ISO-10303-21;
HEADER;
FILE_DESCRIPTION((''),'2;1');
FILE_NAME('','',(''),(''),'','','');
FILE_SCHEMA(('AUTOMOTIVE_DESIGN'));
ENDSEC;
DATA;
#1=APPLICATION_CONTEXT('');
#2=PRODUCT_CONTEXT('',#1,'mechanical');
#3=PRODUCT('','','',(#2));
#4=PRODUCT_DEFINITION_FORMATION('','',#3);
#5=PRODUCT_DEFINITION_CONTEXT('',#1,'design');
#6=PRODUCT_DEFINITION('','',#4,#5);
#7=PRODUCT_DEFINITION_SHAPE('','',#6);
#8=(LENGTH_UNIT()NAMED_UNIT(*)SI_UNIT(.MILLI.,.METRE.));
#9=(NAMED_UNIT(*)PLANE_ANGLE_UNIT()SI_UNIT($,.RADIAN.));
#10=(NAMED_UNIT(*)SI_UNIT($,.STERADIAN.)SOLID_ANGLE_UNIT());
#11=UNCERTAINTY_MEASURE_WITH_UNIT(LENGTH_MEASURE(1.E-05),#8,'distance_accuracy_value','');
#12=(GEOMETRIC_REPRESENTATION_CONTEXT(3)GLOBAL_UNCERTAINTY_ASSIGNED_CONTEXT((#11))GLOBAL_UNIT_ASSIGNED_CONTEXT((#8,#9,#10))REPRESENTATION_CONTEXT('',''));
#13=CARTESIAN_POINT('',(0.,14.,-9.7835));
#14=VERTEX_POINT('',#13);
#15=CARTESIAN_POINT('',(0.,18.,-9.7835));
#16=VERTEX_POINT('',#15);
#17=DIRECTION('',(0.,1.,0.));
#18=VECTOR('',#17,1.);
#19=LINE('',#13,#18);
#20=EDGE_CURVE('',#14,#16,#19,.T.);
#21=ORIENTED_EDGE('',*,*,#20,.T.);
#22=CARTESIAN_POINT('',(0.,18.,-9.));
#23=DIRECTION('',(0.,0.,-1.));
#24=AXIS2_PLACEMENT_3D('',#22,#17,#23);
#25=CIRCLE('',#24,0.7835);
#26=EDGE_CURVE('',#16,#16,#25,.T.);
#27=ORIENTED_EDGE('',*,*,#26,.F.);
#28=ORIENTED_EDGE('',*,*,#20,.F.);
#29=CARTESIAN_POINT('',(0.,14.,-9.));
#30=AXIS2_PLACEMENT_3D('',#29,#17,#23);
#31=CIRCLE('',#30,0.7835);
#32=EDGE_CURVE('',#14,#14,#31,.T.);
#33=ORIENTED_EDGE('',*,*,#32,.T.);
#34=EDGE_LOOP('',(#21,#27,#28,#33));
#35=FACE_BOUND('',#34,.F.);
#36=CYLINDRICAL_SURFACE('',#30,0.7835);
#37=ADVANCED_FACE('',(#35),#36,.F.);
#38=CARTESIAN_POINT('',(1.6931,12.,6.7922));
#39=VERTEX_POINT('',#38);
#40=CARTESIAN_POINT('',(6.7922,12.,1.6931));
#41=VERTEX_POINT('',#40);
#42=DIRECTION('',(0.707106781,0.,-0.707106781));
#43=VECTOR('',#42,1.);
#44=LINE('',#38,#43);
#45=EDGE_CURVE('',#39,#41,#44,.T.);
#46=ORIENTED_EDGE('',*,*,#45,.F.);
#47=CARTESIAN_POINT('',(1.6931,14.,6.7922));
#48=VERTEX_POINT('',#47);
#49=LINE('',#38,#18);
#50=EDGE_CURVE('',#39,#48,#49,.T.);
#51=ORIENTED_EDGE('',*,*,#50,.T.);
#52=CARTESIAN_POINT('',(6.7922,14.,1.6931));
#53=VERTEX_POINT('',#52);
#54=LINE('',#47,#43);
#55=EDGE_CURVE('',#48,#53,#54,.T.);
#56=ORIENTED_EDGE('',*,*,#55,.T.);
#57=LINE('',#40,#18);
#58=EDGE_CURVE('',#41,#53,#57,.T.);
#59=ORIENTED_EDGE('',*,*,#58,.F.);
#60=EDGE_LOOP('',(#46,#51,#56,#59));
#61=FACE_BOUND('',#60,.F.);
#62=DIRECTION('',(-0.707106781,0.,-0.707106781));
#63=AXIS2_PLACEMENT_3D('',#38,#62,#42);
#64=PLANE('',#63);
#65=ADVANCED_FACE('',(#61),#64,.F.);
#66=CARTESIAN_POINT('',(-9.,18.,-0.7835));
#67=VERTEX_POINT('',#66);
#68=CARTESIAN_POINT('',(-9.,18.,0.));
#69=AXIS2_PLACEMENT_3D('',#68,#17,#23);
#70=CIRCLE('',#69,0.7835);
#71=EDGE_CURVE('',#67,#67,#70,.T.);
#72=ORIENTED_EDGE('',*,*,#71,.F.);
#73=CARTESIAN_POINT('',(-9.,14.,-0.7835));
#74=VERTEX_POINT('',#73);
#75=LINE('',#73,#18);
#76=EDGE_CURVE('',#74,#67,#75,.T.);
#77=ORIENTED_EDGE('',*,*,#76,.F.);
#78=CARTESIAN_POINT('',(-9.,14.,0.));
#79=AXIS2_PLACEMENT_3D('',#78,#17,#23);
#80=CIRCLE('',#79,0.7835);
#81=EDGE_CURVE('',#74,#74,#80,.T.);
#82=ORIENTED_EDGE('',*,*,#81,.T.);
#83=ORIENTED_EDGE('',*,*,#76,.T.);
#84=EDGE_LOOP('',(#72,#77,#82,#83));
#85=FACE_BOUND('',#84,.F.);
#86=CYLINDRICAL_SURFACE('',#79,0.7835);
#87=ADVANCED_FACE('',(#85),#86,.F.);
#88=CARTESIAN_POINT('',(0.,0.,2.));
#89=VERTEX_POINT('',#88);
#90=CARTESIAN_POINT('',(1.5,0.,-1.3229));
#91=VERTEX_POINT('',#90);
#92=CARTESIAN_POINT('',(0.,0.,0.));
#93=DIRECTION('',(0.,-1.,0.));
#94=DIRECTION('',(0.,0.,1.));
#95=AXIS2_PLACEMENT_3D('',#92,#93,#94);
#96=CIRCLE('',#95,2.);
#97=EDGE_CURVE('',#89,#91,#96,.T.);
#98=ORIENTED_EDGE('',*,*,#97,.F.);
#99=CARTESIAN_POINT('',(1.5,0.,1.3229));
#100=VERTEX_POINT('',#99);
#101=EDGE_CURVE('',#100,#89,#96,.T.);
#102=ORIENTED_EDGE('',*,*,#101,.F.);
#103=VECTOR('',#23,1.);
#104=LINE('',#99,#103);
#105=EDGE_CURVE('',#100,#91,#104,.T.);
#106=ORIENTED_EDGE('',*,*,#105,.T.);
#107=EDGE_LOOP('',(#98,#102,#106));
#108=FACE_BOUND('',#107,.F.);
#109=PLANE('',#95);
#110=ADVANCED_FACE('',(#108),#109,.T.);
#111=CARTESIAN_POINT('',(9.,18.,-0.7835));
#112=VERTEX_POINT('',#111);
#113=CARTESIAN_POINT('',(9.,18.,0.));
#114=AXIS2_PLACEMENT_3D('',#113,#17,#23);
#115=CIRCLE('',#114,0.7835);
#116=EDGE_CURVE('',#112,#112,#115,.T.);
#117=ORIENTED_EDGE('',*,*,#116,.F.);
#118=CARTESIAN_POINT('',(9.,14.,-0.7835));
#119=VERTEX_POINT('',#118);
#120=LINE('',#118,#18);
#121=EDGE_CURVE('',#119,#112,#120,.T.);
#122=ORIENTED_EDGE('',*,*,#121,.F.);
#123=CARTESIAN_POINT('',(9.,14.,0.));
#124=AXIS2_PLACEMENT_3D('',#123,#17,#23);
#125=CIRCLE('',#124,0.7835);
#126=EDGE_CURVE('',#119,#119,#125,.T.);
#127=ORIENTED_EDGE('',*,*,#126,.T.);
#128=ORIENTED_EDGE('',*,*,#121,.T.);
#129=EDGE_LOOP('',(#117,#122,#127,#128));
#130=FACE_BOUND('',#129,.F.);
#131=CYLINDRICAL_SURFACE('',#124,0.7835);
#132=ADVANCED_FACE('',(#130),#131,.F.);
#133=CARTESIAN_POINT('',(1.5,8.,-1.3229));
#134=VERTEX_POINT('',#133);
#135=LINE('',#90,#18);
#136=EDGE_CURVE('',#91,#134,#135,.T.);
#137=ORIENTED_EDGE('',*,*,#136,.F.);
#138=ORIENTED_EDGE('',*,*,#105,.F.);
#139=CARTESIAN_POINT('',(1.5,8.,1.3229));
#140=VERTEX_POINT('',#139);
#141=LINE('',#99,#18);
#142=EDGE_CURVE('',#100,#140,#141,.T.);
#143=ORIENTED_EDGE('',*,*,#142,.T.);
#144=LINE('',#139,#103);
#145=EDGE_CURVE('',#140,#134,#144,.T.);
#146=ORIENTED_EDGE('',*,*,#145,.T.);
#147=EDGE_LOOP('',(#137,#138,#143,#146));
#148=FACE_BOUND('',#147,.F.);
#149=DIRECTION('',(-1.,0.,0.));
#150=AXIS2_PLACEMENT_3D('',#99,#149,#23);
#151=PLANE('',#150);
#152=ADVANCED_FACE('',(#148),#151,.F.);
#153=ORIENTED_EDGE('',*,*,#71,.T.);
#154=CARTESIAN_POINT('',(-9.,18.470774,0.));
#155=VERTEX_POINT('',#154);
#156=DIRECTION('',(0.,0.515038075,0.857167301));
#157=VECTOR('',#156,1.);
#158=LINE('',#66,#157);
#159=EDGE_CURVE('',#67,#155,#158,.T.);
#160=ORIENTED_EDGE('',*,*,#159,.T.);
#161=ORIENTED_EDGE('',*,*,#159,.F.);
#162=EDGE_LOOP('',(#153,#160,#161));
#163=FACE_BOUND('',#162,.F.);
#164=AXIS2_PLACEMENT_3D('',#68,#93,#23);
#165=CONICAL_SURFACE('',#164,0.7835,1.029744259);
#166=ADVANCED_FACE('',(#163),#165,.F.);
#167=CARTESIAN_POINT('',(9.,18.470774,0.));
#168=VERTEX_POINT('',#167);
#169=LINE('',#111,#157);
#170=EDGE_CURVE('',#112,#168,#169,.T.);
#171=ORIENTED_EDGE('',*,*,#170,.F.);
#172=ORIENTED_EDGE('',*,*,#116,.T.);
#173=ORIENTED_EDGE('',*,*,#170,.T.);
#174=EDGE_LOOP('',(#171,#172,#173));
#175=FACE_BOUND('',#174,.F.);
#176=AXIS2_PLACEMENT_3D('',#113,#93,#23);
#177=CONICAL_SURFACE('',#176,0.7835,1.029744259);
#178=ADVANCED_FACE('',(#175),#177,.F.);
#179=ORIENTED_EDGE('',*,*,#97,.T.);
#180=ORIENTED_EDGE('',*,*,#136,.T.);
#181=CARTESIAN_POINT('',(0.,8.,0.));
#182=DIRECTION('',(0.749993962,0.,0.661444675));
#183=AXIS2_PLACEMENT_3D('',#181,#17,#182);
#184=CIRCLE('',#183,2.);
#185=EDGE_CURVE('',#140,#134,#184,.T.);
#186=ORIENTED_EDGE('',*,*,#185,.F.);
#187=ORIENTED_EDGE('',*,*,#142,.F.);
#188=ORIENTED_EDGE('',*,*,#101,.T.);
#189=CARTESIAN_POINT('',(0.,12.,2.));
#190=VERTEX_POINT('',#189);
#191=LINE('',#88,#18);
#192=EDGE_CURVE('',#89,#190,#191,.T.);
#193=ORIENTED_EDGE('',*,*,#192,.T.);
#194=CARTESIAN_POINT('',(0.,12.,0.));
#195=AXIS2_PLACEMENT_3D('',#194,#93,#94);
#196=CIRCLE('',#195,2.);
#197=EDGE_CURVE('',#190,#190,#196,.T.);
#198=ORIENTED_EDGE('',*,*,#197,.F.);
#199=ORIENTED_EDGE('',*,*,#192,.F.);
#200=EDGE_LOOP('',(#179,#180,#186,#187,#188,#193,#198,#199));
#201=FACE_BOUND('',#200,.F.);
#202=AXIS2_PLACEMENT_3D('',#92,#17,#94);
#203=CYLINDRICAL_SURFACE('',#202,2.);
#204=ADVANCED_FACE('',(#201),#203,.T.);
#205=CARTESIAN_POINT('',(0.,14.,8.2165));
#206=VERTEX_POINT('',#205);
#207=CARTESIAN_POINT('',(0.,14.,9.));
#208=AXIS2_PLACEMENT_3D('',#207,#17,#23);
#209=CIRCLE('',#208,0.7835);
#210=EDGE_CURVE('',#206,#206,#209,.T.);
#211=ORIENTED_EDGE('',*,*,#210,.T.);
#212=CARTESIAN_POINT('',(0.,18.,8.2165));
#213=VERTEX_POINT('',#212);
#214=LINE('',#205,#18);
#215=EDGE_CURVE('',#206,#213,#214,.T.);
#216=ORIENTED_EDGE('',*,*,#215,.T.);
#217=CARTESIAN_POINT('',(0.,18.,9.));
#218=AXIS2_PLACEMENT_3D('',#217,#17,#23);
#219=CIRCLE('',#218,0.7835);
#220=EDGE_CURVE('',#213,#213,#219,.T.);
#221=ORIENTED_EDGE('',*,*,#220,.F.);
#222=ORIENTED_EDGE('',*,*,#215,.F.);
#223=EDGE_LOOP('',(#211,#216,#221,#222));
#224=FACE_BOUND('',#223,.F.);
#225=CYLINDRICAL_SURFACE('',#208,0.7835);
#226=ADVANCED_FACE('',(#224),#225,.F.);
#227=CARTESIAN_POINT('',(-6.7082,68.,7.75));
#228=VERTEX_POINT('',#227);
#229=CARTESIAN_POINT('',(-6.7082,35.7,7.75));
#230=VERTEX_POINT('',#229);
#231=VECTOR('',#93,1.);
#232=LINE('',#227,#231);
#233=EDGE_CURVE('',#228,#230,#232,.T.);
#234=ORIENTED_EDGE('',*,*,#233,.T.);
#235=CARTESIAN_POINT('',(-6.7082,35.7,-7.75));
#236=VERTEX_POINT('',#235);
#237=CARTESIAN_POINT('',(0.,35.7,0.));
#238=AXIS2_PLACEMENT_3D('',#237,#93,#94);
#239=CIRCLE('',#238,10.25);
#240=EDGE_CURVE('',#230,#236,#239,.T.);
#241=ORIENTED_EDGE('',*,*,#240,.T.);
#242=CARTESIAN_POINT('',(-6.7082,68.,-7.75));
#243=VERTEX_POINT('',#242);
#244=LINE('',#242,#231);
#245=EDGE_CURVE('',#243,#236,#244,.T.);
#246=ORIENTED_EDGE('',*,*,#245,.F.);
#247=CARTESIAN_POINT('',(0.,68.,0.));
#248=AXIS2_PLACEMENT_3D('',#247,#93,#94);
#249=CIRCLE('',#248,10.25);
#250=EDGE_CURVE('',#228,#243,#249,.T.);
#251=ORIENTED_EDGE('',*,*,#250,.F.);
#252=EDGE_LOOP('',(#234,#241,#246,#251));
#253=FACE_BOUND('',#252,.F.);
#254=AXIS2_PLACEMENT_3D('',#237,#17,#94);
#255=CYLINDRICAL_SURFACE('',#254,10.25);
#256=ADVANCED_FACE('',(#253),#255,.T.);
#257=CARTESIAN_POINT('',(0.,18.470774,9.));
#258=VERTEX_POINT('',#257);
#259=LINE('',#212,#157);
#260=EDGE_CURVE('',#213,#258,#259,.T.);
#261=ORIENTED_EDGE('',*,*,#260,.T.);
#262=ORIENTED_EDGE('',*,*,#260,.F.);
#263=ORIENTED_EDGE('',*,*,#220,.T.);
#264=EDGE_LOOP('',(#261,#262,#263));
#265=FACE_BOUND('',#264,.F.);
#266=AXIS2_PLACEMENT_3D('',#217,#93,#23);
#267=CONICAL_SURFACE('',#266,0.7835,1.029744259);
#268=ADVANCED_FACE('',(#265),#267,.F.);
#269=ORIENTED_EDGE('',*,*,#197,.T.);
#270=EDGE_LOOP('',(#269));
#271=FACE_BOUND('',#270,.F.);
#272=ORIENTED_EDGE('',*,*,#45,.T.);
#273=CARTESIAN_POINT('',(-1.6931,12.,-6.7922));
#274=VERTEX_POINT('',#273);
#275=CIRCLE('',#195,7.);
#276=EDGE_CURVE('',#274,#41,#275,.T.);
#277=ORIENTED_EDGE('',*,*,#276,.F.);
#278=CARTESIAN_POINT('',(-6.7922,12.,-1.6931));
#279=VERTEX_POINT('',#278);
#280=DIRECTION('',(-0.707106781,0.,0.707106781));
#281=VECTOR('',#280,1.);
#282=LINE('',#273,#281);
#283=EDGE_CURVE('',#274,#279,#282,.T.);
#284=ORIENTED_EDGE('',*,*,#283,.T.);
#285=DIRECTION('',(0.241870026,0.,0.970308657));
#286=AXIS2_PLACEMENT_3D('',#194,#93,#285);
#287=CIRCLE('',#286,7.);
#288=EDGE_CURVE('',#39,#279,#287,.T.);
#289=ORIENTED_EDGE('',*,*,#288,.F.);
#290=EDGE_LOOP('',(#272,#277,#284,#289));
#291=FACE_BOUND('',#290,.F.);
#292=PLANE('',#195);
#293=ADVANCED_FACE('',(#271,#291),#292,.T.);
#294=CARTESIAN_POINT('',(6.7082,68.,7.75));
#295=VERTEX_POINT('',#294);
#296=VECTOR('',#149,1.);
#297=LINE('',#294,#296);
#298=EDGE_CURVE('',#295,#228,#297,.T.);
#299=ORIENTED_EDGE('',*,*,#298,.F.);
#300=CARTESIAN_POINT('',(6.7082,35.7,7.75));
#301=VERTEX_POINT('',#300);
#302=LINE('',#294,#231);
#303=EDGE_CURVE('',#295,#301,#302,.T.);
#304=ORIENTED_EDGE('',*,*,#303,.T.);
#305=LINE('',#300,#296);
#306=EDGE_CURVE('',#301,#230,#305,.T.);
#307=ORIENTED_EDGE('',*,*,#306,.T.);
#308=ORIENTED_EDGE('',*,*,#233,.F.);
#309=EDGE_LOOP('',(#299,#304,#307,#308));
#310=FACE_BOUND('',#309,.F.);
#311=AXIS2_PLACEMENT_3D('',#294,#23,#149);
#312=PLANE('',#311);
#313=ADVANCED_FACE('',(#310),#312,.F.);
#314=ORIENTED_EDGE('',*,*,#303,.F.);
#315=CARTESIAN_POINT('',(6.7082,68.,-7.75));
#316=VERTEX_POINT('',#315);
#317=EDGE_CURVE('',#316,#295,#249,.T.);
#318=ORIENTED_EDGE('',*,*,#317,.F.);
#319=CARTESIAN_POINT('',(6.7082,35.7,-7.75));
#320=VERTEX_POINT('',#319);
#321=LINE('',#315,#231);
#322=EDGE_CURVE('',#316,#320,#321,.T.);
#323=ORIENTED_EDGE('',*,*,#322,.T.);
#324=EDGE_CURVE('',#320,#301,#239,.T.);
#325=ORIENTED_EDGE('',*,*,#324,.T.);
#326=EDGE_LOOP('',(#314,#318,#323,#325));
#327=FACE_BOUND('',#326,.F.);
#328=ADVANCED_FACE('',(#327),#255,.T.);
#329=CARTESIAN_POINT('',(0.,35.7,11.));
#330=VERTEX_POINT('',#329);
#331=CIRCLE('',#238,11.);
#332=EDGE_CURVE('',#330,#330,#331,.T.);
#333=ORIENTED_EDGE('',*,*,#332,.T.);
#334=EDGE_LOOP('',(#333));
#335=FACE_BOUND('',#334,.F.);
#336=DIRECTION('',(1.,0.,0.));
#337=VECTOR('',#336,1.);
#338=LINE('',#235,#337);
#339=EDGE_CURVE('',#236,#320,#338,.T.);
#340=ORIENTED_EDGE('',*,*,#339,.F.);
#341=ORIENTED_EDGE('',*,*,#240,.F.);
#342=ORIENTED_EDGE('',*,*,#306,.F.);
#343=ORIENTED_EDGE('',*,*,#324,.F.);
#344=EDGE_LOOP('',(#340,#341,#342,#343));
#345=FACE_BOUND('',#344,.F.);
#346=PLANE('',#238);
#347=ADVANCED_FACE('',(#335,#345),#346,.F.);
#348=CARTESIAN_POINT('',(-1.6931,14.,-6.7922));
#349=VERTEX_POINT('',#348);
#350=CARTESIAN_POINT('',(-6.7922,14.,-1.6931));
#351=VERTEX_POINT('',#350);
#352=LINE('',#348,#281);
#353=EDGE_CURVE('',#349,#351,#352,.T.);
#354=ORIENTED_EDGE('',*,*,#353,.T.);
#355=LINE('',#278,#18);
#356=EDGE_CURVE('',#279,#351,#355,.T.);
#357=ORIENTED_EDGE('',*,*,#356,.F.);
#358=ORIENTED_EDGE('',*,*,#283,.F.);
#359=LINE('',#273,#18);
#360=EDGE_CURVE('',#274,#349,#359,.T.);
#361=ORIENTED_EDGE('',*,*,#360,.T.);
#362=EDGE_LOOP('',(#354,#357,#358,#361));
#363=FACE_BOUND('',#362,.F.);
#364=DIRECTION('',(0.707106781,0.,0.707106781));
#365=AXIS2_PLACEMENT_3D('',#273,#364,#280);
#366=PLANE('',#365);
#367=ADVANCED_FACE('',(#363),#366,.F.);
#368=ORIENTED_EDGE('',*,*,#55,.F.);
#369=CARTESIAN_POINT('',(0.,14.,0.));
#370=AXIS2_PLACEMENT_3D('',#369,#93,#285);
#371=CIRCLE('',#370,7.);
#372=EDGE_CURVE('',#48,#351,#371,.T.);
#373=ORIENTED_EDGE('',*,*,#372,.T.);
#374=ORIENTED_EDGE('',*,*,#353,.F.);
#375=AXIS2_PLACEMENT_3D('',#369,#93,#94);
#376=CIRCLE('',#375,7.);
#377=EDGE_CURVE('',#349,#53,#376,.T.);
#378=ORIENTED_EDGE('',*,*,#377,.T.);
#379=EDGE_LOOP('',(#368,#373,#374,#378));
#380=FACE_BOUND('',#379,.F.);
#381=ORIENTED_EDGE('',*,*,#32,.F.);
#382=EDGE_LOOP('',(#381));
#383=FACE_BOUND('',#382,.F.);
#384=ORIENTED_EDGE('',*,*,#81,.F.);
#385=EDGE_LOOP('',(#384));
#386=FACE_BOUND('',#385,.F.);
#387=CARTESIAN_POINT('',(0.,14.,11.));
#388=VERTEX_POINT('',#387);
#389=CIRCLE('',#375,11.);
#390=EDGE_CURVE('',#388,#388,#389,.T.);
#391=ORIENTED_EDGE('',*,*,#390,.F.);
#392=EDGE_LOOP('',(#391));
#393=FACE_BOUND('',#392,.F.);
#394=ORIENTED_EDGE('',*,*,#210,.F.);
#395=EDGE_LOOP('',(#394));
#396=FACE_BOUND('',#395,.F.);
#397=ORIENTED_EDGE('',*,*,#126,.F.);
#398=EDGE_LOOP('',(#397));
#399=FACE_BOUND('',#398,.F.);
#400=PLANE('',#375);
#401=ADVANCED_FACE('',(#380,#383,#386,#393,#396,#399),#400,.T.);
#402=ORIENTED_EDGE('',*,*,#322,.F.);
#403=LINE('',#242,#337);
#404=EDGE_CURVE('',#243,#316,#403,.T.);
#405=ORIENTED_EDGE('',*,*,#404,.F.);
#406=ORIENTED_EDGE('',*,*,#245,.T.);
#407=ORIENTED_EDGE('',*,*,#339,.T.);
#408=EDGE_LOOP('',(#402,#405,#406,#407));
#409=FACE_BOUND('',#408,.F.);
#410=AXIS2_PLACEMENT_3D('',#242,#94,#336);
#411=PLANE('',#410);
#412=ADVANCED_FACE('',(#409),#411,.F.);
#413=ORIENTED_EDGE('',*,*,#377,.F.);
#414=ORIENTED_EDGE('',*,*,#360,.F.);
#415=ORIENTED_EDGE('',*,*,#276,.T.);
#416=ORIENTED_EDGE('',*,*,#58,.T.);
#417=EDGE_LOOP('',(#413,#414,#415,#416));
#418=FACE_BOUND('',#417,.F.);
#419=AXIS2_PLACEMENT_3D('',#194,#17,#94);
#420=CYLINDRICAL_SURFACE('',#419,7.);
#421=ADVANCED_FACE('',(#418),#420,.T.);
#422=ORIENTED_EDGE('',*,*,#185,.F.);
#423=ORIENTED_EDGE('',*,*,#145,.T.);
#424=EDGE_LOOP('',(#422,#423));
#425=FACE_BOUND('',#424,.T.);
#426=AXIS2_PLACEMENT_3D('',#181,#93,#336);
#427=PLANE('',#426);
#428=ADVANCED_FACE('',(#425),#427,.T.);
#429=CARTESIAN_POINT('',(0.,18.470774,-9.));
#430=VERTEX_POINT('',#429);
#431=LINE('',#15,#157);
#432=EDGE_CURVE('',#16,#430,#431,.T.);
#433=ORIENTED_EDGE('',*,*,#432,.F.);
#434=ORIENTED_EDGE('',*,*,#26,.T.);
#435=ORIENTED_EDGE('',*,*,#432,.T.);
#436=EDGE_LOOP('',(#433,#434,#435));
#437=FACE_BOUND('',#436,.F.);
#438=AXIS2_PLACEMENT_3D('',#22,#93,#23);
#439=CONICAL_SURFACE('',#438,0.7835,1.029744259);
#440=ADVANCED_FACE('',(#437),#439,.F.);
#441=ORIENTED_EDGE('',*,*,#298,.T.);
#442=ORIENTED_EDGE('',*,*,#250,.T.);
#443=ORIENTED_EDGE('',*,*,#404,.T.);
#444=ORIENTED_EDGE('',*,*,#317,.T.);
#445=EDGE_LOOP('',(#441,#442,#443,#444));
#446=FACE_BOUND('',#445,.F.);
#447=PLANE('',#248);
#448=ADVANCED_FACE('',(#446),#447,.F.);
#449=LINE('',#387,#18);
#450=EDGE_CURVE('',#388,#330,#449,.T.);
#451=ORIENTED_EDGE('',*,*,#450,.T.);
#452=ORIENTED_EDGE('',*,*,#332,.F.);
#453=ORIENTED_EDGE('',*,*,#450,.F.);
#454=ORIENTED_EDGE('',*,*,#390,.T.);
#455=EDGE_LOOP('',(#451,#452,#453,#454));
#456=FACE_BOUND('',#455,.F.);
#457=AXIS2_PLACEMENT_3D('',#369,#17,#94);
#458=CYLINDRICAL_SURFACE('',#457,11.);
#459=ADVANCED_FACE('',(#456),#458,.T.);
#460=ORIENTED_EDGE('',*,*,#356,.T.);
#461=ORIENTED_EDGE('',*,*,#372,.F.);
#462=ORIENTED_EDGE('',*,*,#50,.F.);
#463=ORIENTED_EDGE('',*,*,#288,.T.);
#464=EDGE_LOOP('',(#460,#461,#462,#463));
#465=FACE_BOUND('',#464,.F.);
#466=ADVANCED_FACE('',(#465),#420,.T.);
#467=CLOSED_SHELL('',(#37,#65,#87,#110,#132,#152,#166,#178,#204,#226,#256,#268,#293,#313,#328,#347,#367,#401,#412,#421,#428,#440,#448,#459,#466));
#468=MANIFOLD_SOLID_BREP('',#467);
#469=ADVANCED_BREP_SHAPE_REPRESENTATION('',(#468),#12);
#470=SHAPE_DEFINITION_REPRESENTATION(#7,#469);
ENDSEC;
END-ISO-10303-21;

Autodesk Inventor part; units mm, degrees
ref_plane "YZ Plane" through (0, 0, 0) normal (1, 0, 0) x (0, 1, 0)
ref_plane "XZ Plane" through (0, 0, 0) normal (0, 1, 0) x (-1, 0, 0)
ref_plane "XY Plane" through (0, 0, 0) normal (0, 0, 1) x (1, 0, 0)
sketch "Sketch1" plane through (0, 0, 0) normal (1, 0, 0) x (0, 1, 0)
  line L0 (0, 0) -> (-9.28, 0)
  line L1 (0, 0) -> (0, 2)
  line L2 (0, 2) -> (12, 2)
  line L3 (12, 2) -> (12, 7)
  line L4 (12, 7) -> (14, 7)
  line L5 (14, 7) -> (14, 11)
  line L6 (14, 11) -> (35.7, 11)
  line L7 (35.7, 11) -> (35.7, 10.25)
  line L8 (35.7, 10.25) -> (68, 10.25)
  line L9 (68, 10.25) -> (68, 0)
  line L10 (68, 0) -> (0, 0)
  dimension "d0" = 4
  dimension "d2" = 12
  dimension "d3" = 2
  dimension "d5" = 22
  dimension "d6" = 20.5
  dimension "d7" = 32.3
  dimension "d8" = 21.7
  dimension "d32" = 14
revolve "Revolution1" add sketch "Sketch1" angle 360 about axis through (0, 0, 0) along (0, -1, 0)
sketch "Sketch2" plane through (0, 14, 0) normal (0, -1, 0) x (1, 0, 0)
  circle A0 centre (0, 0) radius 11 projected
  point P0 (0, 9)
  point P1 (-9, 0)
  point P2 (0, -9)
  point P3 (9, 0)
  dimension "d12" = 360
  dimension "d15" = 18
hole "Hole1" at (0, 14, 9) at (-9, 14, 0) at (0, 14, -9) at (9, 14, 0) direction (0, 1, 0) diameter 1.567 depth 4 tip angle 118 thread size "M2x0.4" class "6H" standard "ANSI Metric M Profile"
sketch "Sketch3" plane through (0, 12, 0) normal (0, -1, 0) x (1, 0, 0)
  circle A0 centre (0, 0) radius 7 projected
  circle A1 centre (0, 0) radius 2 projected
  line L0 (1.6931, 6.7922) -> (6.7922, 1.6931)
  line L1 (-1.6931, -6.7922) -> (-6.7922, -1.6931)
  line L2 (0, 0) -> (-24.8191, 0) construction
  dimension "d23" = 135
  dimension "d24" = 12
extrude "Extrusion1" cut sketch "Sketch3" against normal up to surface (2 mm away) contours L0 A0 | A0 L1
sketch "Sketch4" plane through (0, 0, 0) normal (0, -1, 0) x (1, 0, 0)
  circle A0 centre (0, 0) radius 2 projected
  line L0 (1.5, 1.3229) -> (1.5, -1.3229)
  dimension "d28" = 1.5
extrude "Extrusion2" cut sketch "Sketch4" against normal blind 8 contours A0 L0 picked at (1.5908, -0.3089)
sketch "Sketch5" plane through (0, 68, 0) normal (0, 1, 0) x (1, 0, 0)
  circle A0 centre (0, 0) radius 10.25 projected
  line L0 (-6.7082, 7.75) -> (6.7082, 7.75)
  line L1 (6.7082, -7.75) -> (-6.7082, -7.75)
  dimension "d33" = 15.5
extrude "Extrusion3" cut sketch "Sketch5" against normal up to surface (32.3 mm away) contours L0 A0 | A0 L1
properties part number "Motor"
